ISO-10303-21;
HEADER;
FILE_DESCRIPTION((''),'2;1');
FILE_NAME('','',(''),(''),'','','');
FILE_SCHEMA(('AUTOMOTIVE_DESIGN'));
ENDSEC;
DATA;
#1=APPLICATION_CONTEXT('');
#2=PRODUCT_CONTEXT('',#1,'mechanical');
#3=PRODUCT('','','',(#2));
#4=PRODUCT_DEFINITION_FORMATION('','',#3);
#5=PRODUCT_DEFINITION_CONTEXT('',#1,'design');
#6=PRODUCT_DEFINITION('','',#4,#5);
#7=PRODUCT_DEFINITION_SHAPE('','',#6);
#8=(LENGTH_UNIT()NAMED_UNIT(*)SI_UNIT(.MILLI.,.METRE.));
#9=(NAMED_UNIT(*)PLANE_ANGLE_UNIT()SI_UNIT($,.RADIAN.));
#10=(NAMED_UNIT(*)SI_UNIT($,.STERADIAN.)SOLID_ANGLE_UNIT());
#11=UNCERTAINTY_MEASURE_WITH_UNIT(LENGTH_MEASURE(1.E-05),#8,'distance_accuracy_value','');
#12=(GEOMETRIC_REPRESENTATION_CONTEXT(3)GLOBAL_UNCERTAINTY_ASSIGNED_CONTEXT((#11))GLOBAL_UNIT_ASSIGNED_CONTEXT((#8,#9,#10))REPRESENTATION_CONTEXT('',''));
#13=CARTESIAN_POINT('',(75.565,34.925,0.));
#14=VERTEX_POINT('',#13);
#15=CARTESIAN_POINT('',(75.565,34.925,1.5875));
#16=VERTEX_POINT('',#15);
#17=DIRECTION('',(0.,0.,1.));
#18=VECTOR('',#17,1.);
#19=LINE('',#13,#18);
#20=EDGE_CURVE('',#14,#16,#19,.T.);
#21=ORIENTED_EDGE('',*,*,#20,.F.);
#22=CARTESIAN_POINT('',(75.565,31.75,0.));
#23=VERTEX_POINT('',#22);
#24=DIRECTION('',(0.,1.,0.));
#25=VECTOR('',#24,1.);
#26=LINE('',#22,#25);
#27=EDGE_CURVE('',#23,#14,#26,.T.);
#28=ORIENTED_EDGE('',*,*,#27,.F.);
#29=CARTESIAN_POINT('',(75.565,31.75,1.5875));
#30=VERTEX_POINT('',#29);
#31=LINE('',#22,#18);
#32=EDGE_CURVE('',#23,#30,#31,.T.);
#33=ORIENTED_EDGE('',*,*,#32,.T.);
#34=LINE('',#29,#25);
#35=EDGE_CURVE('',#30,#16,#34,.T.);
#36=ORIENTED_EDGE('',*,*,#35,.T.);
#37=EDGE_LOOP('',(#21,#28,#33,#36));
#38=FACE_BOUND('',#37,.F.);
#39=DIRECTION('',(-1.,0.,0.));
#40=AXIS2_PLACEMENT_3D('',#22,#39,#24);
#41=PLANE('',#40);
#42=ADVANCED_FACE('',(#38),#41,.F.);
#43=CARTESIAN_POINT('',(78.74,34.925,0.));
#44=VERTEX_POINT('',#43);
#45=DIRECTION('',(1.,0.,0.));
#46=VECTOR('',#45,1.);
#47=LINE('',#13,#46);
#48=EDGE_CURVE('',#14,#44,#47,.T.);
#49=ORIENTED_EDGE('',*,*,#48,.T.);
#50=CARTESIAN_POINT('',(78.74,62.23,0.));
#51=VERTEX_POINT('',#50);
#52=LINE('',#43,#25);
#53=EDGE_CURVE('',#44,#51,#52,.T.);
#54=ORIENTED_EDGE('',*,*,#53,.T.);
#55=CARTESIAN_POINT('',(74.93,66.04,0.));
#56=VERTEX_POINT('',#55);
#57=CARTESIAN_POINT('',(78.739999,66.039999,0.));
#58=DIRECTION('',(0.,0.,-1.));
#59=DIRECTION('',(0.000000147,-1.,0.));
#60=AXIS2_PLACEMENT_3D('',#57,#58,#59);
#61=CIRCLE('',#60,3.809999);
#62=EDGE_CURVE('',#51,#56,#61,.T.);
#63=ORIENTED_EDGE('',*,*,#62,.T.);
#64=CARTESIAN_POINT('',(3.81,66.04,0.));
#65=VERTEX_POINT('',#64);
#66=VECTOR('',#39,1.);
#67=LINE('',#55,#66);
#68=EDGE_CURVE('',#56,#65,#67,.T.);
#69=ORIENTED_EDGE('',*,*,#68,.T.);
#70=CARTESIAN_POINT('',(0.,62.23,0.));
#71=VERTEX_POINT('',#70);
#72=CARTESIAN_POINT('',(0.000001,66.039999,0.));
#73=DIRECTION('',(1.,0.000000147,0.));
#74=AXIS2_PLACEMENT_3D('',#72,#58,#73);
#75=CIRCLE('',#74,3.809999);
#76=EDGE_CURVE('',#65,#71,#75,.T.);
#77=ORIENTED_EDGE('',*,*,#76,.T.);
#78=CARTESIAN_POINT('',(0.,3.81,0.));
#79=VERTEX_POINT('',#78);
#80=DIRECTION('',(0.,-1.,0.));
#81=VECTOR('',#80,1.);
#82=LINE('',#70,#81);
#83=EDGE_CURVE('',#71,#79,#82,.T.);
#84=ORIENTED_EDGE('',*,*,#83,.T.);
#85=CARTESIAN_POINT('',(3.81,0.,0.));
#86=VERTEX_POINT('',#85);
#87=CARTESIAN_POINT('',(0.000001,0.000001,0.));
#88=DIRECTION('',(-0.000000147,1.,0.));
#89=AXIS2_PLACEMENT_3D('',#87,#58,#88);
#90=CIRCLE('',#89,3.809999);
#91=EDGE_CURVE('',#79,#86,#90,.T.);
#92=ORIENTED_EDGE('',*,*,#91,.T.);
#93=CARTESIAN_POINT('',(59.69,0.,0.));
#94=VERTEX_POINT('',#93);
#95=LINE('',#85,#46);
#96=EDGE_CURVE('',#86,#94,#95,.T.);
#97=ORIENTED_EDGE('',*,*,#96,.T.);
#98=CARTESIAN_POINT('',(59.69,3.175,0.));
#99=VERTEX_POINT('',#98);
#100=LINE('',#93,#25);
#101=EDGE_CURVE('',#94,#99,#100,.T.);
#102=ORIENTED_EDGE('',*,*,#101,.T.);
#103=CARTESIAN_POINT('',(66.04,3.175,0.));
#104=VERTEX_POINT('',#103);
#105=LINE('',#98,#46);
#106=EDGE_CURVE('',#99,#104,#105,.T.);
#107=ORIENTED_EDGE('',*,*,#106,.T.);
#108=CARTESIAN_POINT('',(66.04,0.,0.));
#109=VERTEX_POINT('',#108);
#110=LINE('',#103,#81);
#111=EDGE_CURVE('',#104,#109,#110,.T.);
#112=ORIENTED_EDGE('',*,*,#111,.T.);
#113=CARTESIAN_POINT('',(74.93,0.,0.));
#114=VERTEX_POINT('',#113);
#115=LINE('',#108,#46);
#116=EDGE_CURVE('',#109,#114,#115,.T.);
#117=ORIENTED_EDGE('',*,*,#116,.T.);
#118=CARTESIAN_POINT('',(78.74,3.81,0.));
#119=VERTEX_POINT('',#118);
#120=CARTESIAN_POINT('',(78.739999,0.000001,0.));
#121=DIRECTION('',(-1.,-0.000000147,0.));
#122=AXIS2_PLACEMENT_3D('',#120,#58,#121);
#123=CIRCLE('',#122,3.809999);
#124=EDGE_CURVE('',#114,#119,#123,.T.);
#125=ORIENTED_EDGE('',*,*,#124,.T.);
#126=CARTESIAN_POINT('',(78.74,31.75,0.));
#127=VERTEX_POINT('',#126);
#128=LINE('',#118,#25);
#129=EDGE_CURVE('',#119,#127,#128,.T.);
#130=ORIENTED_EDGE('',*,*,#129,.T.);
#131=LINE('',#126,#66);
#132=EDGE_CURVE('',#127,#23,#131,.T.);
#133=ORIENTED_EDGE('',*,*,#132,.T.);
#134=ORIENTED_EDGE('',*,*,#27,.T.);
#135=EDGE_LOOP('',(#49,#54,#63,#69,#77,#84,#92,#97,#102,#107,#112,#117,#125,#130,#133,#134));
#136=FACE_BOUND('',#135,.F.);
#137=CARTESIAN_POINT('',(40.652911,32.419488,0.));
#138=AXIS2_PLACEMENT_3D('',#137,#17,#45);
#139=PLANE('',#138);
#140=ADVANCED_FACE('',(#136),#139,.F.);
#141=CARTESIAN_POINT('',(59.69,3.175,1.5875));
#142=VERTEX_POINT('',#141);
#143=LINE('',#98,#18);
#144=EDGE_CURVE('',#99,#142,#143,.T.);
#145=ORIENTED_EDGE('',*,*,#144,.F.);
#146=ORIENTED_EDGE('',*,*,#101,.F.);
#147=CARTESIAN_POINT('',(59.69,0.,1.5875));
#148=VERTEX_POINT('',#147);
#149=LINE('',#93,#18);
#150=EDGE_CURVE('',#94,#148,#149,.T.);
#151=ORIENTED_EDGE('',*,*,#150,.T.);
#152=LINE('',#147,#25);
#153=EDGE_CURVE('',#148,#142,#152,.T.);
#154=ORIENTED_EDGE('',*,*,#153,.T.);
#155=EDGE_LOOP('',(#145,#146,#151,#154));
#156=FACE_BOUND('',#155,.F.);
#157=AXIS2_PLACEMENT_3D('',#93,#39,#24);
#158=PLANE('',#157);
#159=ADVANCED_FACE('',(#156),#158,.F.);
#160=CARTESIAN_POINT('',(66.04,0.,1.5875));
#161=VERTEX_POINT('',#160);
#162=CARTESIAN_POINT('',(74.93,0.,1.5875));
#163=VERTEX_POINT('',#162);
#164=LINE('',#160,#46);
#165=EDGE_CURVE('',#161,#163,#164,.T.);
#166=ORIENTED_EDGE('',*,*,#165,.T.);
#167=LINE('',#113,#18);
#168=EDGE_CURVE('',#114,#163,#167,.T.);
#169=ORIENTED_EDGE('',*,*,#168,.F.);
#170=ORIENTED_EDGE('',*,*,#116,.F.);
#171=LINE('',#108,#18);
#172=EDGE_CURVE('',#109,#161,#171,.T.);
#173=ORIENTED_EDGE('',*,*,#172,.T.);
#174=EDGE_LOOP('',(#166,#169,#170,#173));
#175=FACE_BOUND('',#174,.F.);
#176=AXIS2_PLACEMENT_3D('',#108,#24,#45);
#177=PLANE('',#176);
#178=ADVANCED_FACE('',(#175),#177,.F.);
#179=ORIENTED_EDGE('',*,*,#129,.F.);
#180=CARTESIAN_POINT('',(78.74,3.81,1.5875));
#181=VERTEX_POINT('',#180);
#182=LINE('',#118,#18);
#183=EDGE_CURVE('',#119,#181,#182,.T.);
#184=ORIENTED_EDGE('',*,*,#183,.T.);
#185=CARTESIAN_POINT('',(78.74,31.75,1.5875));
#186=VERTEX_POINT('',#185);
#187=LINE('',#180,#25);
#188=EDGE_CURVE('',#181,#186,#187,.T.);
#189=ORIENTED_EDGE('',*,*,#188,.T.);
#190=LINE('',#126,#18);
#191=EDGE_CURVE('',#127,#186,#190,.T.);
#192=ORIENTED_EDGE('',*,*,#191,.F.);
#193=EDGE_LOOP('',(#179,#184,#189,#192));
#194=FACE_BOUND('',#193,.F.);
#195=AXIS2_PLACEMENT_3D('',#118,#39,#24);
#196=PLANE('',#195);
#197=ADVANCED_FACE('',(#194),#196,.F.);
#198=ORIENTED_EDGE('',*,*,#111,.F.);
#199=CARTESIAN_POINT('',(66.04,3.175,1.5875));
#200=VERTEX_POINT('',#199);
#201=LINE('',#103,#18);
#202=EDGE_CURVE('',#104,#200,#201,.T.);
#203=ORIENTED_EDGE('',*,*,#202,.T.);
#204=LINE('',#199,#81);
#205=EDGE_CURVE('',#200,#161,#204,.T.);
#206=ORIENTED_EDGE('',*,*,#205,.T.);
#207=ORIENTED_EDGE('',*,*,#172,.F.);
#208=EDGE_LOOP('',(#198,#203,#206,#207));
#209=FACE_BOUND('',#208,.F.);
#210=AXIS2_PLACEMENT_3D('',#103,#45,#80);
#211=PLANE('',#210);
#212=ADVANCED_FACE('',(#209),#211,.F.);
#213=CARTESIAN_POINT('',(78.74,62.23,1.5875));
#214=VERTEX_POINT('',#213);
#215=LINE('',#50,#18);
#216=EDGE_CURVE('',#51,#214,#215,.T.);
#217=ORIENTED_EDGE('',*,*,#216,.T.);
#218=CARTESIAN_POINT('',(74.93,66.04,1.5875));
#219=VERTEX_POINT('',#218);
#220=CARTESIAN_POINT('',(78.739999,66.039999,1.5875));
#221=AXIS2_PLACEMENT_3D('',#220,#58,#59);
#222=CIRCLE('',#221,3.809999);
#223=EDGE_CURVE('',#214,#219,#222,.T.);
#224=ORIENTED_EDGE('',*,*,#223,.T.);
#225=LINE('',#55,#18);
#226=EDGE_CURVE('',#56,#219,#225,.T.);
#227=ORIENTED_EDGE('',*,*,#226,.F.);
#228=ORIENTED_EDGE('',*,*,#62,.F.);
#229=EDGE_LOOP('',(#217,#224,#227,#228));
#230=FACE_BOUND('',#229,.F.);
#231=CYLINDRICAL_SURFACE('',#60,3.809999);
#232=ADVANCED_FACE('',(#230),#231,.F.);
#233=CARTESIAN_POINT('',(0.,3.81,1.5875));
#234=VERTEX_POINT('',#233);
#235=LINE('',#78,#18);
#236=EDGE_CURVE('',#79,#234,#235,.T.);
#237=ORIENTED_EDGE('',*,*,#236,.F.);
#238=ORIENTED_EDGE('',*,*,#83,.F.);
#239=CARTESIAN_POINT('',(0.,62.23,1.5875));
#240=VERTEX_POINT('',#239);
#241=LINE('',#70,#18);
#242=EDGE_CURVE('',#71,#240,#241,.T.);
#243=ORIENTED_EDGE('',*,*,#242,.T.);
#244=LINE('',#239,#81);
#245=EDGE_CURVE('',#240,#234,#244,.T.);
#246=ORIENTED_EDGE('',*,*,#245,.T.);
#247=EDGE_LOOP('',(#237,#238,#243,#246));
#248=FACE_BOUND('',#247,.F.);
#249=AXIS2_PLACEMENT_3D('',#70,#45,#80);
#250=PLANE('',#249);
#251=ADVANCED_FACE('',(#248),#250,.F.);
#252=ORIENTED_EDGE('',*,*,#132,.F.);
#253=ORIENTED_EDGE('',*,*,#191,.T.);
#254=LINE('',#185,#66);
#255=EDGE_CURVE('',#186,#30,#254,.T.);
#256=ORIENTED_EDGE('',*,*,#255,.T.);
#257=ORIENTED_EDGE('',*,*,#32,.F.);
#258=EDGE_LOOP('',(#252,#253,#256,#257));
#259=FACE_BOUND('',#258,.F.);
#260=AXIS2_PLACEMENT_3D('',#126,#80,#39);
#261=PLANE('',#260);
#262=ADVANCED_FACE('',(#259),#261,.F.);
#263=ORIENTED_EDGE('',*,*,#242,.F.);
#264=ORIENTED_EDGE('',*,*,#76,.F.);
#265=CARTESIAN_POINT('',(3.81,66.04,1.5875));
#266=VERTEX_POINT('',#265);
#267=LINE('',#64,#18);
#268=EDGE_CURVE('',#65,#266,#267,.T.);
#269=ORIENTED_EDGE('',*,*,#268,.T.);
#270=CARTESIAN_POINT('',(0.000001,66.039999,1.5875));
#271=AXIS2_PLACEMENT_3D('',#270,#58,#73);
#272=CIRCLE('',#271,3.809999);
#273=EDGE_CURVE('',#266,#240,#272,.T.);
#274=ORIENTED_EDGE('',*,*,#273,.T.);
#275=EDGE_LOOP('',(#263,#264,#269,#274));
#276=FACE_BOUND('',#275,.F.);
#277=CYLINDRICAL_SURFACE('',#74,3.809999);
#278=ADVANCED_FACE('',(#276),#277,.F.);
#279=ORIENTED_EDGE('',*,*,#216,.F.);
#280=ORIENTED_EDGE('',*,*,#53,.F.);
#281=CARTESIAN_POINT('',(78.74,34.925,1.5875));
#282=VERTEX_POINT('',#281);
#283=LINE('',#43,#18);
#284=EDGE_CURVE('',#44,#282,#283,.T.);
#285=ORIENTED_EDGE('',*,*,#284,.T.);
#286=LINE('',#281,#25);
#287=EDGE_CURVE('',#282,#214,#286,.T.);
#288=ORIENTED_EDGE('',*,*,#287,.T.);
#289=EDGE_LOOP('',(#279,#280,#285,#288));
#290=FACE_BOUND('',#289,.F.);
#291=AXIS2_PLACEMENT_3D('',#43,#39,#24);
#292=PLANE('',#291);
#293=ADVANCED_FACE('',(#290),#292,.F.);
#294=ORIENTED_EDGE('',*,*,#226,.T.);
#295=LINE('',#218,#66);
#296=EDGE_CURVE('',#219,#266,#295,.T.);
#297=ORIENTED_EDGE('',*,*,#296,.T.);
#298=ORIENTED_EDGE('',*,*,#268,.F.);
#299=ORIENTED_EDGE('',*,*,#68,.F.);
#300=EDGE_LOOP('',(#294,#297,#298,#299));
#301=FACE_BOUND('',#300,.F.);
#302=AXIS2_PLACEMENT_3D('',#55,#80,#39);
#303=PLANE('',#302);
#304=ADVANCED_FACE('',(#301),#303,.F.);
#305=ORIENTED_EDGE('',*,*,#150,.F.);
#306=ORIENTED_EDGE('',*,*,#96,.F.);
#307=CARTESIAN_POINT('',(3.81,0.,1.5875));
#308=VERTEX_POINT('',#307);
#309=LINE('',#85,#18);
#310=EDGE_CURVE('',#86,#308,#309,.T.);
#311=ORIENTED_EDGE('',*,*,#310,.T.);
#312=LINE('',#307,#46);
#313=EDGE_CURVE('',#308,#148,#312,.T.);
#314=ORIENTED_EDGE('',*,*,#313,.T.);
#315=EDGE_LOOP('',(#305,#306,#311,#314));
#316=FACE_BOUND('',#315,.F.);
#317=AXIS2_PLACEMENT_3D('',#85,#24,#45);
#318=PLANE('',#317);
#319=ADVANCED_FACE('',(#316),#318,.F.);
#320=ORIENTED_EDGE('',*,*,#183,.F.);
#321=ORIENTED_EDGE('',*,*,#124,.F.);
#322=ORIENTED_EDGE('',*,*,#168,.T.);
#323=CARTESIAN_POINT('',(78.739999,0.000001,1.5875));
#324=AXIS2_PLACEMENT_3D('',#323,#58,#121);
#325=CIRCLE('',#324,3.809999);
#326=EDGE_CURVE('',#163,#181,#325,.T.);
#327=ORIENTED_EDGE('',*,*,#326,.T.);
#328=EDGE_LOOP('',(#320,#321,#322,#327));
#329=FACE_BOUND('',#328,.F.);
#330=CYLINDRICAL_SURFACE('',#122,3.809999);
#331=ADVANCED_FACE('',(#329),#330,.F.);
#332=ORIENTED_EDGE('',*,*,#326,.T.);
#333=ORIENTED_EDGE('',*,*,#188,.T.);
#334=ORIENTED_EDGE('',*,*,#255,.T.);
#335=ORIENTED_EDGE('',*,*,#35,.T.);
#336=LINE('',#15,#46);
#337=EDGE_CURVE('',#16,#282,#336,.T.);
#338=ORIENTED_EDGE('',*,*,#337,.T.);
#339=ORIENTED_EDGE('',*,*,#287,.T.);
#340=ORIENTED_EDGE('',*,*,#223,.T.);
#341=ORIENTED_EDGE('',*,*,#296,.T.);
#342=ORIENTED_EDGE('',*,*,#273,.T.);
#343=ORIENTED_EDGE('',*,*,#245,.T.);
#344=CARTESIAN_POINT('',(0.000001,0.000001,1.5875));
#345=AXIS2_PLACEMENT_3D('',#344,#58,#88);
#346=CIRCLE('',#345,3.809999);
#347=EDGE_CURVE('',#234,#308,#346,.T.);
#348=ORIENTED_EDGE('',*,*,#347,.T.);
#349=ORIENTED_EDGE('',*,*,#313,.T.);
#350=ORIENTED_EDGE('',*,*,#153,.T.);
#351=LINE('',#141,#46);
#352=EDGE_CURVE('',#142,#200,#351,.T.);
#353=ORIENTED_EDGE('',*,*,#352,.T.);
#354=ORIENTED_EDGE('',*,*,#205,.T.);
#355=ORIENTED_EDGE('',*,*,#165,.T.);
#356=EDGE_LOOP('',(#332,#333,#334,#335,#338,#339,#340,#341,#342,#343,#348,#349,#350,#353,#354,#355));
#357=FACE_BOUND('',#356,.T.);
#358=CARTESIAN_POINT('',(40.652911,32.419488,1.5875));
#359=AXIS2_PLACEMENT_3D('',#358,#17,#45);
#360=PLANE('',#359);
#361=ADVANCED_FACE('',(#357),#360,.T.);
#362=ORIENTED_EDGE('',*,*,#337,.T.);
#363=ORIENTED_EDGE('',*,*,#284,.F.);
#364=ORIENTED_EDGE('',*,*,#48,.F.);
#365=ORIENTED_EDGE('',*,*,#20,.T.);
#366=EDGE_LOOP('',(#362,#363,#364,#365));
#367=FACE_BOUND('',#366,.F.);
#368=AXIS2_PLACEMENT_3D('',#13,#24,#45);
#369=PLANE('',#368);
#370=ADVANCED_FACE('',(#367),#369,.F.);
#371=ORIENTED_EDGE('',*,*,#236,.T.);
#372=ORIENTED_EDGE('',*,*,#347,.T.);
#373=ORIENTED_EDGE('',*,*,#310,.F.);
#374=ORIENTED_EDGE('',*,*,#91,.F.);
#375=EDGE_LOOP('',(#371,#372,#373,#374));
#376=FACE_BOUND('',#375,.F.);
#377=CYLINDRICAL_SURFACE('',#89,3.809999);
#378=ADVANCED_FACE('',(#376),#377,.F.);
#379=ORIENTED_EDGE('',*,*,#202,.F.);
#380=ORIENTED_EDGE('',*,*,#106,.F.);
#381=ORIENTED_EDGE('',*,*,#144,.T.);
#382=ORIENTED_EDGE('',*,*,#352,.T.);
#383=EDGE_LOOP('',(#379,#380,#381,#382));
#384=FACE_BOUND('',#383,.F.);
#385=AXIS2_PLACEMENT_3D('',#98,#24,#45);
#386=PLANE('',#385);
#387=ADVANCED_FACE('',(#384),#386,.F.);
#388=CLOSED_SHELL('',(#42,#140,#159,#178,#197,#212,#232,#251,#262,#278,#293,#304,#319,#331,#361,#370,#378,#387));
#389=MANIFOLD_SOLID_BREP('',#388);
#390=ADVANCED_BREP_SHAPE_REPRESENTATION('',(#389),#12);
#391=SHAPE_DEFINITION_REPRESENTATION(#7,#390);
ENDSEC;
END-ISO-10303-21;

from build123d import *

# Parameters (mm, degrees)
F1_DEPTH = 1.5875


with BuildPart() as f1:
    # F0 (on Top) → F1 (new body)
    with BuildSketch(Plane.XY):
        with BuildLine():
            ThreePointArc((0, 3.81), (2.694077, 2.694077), (3.81, 0))
            Line((3.81, 0), (59.69, 0))
            Line((59.69, 0), (59.69, 3.175))
            Line((59.69, 3.175), (66.04, 3.175))
            Line((66.04, 3.175), (66.04, 0))
            Line((66.04, 0), (74.93, 0))
            ThreePointArc((74.93, 0), (76.045923, 2.694077), (78.74, 3.81))
            Line((78.74, 3.81), (78.74, 31.75))
            Line((78.74, 31.75), (75.565, 31.75))
            Line((75.565, 31.75), (75.565, 34.925))
            Line((75.565, 34.925), (78.74, 34.925))
            Line((78.74, 34.925), (78.74, 62.23))
            ThreePointArc((78.74, 62.23), (76.045923, 63.345923), (74.93, 66.04))
            Line((74.93, 66.04), (3.81, 66.04))
            ThreePointArc((3.81, 66.04), (2.694077, 63.345923), (0, 62.23))
            Line((0, 62.23), (0, 3.81))
        make_face()
    extrude(amount=F1_DEPTH)


solid = f1.part
